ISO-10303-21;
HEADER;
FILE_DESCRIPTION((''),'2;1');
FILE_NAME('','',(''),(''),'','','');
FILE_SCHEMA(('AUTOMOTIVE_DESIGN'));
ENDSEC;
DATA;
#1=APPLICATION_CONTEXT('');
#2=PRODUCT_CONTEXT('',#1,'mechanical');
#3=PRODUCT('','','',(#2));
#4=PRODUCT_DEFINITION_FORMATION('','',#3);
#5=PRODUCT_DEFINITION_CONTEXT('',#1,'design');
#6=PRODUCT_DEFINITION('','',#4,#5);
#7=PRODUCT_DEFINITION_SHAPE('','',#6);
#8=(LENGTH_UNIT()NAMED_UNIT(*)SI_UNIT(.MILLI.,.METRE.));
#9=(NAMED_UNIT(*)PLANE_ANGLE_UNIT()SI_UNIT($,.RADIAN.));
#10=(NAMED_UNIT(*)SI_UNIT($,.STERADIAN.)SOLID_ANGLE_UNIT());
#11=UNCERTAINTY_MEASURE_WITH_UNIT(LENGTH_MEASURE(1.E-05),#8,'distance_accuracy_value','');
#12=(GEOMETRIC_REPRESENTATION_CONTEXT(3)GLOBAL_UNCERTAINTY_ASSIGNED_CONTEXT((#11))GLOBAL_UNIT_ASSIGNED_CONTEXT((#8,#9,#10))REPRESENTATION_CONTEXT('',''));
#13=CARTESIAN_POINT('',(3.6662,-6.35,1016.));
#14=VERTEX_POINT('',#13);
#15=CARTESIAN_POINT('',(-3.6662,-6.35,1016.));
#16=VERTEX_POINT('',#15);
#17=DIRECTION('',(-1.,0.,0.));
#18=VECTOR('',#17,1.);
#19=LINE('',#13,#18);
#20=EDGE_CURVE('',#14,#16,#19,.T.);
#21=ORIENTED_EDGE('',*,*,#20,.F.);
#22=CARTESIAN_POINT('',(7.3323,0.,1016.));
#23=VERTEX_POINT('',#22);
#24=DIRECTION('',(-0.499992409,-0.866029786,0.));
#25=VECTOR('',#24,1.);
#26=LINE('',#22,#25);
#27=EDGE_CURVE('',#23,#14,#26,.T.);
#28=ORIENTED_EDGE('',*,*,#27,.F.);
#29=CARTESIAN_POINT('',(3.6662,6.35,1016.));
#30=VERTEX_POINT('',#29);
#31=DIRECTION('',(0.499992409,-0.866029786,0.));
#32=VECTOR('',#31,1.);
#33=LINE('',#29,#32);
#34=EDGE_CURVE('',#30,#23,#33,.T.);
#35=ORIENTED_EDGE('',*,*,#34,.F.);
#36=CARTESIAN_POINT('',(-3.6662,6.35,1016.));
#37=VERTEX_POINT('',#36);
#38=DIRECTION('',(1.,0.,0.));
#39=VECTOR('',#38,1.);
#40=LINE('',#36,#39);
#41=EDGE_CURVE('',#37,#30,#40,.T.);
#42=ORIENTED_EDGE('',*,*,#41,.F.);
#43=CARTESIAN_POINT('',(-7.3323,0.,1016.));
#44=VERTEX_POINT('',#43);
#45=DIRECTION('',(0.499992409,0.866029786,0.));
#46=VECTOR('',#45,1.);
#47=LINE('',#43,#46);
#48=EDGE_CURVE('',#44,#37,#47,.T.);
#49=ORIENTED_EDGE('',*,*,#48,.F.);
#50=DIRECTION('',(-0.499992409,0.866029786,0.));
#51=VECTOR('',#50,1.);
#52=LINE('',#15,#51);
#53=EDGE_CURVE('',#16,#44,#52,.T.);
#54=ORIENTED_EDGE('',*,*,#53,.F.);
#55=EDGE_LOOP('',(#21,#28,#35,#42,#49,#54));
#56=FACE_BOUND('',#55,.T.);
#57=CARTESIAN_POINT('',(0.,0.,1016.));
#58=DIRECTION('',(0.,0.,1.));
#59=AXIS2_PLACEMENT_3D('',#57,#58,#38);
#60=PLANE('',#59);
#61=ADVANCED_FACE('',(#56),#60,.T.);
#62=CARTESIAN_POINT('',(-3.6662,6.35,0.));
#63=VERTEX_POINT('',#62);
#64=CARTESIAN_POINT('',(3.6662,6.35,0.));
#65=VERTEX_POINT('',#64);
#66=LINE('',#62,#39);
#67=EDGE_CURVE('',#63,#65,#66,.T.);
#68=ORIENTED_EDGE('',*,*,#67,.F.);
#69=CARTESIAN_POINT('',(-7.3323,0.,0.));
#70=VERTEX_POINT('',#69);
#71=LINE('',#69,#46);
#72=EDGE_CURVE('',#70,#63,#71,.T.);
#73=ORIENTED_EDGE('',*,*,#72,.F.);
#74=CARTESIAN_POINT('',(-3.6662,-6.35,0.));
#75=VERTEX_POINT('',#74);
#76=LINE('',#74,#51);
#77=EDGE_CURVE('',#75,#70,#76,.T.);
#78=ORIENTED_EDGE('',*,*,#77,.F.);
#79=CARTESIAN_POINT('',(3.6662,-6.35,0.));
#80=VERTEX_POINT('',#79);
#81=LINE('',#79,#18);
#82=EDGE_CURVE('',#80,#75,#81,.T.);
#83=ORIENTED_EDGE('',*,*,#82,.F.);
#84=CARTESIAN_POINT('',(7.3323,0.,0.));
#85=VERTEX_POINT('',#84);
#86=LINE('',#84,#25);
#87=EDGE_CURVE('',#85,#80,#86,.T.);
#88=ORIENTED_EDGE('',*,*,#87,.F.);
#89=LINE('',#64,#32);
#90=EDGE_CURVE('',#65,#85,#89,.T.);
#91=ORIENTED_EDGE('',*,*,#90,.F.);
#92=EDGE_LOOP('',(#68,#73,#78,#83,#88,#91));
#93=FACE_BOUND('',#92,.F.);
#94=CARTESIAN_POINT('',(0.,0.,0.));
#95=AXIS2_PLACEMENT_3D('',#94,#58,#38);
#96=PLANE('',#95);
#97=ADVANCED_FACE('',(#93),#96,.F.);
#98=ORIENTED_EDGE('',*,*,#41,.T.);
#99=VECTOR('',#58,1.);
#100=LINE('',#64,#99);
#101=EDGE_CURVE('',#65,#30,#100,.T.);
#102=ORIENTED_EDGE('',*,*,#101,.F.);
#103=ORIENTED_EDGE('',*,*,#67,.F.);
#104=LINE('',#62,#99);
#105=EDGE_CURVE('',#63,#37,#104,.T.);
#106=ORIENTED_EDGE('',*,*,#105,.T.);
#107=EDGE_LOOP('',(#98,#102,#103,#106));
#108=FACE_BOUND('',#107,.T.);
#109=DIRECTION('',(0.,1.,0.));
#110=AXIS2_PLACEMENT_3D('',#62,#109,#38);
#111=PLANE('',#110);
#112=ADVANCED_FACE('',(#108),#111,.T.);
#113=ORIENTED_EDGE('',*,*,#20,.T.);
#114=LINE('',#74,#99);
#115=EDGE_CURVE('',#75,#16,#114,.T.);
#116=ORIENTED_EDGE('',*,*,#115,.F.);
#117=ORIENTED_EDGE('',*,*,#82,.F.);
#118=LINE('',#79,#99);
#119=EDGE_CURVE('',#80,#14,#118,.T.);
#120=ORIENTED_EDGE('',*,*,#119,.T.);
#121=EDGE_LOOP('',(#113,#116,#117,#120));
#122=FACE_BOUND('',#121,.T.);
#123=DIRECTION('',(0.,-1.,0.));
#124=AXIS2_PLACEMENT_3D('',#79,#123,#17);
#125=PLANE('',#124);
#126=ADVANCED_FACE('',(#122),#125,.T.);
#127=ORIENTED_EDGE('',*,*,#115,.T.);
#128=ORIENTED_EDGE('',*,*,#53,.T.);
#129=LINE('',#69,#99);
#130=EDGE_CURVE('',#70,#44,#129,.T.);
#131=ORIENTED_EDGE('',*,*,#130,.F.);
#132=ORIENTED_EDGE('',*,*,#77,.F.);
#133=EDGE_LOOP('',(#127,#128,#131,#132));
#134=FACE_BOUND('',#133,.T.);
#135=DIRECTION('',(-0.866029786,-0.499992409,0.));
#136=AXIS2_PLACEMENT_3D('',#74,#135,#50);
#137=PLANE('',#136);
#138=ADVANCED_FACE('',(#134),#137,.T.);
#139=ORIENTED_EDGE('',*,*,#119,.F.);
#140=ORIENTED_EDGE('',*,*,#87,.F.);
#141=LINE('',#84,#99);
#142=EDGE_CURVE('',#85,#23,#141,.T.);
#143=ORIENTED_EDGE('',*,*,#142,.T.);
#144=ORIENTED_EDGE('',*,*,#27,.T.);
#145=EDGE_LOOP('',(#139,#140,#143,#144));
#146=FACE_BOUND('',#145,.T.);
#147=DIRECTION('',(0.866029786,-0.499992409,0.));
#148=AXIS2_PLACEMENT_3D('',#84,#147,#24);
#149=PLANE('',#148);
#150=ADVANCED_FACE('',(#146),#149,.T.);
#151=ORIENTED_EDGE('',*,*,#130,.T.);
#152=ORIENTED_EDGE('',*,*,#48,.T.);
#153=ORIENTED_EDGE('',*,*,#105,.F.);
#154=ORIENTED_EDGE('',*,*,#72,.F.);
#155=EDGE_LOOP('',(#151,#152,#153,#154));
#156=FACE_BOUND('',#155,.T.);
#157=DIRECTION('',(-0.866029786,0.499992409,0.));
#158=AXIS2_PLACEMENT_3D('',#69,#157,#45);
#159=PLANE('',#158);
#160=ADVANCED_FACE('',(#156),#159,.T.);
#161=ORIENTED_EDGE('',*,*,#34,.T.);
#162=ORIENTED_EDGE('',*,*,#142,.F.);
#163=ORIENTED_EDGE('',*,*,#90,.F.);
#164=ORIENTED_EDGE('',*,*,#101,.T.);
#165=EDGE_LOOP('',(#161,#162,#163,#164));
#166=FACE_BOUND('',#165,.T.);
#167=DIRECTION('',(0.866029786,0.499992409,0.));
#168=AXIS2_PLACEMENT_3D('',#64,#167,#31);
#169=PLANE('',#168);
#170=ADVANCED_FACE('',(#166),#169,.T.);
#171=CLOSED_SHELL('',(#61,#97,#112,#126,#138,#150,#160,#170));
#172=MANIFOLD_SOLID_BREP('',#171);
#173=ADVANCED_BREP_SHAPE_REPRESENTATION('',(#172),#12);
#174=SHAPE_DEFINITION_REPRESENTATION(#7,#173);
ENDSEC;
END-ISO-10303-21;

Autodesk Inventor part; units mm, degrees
ref_plane "YZ Plane" through (0, 0, 0) normal (1, 0, 0) x (0, 1, 0)
ref_plane "XZ Plane" through (0, 0, 0) normal (0, 1, 0) x (-1, 0, 0)
ref_plane "XY Plane" through (0, 0, 0) normal (0, 0, 1) x (1, 0, 0)
sketch "Sketch1" plane through (0, 0, 0) normal (0, 0, 1) x (1, 0, 0)
  line L0 (3.6662, 6.35) -> (7.3323, 0)
  line L1 (7.3323, 0) -> (3.6662, -6.35)
  line L2 (3.6662, -6.35) -> (-3.6662, -6.35)
  line L3 (-3.6662, -6.35) -> (-7.3323, 0)
  line L4 (-7.3323, 0) -> (-3.6662, 6.35)
  line L5 (-3.6662, 6.35) -> (3.6662, 6.35)
  point P0 (0, 0)
  point P1 (0, 0)
  dimension "d0" = 12.7
extrude "Extrusion1" add sketch "Sketch1" along normal blind 1016
properties part number "hex rod 40 inch" material "Steel, Alloy"
